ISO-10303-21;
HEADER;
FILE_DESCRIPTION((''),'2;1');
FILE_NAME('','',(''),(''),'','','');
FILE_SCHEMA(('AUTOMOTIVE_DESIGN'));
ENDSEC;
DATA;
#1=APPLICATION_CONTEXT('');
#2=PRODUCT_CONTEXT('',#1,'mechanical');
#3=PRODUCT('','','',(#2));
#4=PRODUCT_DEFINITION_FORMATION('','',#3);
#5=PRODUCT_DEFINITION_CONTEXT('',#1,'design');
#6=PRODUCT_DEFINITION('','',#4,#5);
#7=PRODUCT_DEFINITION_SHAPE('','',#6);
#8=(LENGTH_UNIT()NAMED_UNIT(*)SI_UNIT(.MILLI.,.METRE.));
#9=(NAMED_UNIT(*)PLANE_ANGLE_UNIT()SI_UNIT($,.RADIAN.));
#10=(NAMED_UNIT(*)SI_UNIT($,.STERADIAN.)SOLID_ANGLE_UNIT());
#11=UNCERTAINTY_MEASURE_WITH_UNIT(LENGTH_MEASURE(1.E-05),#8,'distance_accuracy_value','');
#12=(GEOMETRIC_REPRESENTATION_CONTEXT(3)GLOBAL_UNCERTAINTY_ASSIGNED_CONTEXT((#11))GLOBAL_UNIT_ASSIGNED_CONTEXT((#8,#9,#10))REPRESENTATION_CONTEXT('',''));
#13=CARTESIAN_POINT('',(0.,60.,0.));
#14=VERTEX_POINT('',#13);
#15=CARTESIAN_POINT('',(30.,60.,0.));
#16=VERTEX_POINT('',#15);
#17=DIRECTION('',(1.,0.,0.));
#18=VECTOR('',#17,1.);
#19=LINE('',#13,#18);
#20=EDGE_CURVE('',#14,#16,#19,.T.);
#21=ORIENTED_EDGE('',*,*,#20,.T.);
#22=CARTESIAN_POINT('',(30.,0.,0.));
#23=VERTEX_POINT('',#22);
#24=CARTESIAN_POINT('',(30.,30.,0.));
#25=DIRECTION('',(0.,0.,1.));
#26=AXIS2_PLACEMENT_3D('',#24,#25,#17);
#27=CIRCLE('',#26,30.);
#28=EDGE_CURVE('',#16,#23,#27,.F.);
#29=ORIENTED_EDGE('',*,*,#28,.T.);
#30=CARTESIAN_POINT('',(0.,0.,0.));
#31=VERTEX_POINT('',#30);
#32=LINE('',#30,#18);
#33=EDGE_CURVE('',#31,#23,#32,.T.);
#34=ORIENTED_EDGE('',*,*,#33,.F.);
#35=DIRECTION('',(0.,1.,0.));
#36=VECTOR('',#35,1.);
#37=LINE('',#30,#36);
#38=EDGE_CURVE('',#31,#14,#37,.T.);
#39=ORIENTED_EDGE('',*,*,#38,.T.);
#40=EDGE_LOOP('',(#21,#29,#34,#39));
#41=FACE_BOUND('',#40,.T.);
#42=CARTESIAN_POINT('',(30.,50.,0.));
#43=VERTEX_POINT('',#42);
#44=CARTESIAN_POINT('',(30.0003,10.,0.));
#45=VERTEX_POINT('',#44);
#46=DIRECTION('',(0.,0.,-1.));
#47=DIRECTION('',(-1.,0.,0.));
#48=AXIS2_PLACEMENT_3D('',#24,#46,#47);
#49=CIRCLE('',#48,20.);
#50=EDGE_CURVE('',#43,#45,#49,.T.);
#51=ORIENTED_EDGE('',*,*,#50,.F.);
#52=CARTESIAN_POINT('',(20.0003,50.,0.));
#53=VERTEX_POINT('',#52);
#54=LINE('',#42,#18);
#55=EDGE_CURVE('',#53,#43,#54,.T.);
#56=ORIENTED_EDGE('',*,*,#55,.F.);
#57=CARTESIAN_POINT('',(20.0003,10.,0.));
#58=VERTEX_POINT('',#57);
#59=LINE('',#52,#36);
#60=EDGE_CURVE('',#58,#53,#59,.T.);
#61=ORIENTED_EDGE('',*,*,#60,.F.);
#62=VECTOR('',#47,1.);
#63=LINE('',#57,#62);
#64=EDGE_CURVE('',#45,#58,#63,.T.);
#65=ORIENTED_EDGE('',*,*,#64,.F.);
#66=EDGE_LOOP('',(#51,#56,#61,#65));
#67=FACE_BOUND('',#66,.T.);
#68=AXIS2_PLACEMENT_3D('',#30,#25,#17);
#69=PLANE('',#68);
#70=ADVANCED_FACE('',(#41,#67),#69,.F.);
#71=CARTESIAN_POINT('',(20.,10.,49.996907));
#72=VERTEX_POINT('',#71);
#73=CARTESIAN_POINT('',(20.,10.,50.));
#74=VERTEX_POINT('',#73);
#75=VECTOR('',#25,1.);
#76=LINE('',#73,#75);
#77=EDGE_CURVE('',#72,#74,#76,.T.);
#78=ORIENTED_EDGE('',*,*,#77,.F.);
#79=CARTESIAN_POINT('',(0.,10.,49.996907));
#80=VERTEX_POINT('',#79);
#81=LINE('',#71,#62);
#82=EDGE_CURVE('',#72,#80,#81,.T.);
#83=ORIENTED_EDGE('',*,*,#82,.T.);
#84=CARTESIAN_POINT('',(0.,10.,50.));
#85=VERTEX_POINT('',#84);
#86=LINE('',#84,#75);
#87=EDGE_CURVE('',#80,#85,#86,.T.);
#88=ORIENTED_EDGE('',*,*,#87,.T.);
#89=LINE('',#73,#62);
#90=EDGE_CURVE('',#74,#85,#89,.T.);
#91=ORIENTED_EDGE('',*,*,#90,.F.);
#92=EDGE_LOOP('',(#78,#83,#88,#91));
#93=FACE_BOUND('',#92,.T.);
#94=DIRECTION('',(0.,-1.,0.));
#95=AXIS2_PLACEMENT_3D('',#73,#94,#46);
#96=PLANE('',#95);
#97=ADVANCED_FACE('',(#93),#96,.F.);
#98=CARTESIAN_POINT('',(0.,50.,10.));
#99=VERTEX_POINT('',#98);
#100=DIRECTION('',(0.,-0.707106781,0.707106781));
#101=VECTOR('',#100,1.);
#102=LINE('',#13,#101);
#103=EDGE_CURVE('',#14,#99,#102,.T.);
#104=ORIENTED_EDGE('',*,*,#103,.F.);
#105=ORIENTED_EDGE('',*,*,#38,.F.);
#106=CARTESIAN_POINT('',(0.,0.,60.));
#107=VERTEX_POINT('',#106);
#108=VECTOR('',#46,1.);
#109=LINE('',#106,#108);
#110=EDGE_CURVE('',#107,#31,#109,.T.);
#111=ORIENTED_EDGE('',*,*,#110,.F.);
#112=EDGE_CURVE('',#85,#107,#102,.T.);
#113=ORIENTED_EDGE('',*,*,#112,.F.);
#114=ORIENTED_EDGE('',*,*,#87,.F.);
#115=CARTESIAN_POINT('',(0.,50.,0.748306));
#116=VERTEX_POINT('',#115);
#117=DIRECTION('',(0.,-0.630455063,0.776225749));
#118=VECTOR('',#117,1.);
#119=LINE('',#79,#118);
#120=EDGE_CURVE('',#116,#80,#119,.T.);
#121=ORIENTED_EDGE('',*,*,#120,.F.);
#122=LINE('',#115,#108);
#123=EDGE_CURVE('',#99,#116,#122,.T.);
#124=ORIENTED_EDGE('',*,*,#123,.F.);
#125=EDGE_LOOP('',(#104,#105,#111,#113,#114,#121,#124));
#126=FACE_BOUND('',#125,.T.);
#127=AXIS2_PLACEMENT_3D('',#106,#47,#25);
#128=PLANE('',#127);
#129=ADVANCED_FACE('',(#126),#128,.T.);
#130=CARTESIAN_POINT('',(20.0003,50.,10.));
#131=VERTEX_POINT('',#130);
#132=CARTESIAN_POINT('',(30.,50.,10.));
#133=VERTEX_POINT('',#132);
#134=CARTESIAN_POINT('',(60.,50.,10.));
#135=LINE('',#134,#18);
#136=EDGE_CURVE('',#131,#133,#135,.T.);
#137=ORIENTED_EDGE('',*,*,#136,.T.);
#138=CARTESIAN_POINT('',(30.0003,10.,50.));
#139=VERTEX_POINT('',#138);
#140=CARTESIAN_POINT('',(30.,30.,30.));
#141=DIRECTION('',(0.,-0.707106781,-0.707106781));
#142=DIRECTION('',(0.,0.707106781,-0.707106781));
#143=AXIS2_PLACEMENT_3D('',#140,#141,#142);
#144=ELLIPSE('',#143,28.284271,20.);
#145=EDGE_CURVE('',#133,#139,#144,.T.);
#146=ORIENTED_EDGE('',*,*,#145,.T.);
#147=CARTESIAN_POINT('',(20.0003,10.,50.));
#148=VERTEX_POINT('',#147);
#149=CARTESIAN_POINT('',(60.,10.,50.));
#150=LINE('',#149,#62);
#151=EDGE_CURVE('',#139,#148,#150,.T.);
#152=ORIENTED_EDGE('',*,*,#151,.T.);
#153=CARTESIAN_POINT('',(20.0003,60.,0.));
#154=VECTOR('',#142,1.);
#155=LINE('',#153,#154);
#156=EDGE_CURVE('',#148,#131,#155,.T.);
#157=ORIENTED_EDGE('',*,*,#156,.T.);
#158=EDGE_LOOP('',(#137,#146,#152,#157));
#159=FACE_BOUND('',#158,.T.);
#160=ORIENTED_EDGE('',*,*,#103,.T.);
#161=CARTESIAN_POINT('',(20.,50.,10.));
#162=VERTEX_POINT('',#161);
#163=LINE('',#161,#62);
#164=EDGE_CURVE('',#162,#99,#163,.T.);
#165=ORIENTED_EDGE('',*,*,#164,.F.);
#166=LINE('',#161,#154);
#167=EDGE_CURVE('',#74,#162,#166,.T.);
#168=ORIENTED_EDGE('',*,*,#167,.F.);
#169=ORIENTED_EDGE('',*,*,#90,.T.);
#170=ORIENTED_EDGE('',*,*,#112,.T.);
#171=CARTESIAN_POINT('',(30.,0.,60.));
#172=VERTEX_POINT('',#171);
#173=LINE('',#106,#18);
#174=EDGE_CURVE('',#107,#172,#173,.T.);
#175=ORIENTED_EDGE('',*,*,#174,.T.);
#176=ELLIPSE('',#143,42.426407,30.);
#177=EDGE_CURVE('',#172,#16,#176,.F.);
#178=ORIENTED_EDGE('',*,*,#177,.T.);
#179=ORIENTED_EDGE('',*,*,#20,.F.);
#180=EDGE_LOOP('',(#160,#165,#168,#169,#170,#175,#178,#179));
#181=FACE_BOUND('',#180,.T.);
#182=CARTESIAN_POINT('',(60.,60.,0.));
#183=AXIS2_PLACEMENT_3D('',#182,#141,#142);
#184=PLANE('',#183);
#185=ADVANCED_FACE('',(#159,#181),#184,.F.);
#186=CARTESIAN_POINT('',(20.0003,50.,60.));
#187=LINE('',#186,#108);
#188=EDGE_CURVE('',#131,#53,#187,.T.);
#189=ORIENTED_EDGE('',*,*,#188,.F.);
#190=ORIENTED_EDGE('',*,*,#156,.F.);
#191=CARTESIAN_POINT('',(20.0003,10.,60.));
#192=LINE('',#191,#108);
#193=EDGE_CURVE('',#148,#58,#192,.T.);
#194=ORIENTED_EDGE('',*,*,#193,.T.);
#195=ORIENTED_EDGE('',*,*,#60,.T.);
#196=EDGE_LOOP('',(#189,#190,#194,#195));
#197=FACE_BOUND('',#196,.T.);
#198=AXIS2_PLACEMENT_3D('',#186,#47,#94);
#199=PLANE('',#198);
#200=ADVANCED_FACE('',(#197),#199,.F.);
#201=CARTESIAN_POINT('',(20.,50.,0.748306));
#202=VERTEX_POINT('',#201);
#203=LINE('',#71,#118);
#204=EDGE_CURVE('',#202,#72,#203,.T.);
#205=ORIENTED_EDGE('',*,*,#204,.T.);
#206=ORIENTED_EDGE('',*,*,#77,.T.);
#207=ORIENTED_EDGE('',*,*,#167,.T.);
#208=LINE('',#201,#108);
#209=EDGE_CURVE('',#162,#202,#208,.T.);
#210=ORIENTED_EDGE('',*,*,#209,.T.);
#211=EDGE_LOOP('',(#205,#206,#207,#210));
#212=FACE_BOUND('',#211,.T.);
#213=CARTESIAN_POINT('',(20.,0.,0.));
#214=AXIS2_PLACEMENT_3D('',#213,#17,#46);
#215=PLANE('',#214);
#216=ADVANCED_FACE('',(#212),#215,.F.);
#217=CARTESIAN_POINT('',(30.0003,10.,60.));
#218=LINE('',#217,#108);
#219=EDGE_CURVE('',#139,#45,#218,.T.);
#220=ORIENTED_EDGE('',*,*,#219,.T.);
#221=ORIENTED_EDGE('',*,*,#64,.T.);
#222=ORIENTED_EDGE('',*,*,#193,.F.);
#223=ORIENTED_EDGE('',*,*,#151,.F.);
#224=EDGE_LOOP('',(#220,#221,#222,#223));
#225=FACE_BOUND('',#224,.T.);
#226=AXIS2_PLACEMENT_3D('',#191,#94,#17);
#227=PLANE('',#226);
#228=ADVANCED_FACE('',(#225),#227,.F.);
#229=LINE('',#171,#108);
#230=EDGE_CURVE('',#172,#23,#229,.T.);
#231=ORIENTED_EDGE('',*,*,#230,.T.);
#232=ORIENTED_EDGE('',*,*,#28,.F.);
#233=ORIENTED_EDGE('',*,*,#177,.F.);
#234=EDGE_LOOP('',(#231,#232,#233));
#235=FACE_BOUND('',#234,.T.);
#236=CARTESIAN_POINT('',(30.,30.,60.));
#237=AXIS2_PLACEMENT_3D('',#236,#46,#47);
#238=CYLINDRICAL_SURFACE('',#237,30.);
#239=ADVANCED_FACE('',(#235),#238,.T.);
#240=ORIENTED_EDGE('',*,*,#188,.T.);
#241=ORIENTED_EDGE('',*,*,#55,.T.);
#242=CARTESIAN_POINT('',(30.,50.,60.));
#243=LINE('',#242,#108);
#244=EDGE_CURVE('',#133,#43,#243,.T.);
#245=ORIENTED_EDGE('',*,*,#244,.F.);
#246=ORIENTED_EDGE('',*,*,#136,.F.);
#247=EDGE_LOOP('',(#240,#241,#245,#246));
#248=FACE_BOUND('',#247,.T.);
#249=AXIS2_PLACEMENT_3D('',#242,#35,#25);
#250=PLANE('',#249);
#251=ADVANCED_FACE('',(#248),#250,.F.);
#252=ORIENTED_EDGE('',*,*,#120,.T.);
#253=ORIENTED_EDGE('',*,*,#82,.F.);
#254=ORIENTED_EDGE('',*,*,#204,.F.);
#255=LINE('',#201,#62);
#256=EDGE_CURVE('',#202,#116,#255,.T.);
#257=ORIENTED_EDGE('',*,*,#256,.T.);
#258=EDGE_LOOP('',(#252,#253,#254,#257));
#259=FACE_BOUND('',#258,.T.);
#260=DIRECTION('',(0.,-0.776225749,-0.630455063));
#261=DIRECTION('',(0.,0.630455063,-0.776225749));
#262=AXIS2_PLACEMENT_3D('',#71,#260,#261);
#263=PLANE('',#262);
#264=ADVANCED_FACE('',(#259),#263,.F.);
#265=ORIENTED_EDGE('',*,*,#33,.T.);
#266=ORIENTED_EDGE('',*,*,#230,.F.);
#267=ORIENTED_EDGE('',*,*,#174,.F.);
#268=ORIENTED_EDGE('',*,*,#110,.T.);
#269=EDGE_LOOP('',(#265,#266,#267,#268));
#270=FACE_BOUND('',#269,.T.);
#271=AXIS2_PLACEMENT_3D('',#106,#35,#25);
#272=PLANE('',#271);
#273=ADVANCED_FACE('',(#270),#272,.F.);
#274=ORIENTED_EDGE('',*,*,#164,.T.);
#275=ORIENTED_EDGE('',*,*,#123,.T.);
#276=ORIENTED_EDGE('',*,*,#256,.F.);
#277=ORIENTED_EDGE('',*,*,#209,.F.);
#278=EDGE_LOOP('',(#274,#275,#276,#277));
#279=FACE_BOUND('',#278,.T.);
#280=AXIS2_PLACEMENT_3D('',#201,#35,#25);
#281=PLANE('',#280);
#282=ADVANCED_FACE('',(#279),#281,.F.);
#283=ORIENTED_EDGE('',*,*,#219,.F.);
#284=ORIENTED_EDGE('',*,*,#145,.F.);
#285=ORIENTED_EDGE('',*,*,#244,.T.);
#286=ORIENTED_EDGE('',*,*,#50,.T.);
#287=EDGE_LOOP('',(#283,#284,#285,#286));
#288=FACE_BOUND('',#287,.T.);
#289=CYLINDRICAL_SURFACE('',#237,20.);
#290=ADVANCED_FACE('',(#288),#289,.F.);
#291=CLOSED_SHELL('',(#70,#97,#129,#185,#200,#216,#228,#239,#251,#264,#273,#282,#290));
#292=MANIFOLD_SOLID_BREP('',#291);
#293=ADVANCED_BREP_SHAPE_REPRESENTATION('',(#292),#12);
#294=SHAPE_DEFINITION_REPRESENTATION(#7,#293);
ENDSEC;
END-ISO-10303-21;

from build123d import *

# Parameters (mm, degrees)
SKETCH1_W           = 30
SKETCH1_H           = 60
BOSS_EXTRUDE1_DEPTH = 60
CUT_EXTRUDE1_DEPTH  = 60
SKETCH4_W           = 20
SKETCH4_H           = 40
CUT_EXTRUDE2_DEPTH  = 60
CUT_EXTRUDE3_DEPTH  = 60
BOSS_EXTRUDE2_DEPTH = 20
CUT_EXTRUDE9_DEPTH  = 20


with BuildPart() as part:
    # Sketch1 → Boss-Extrude1 (new body)
    with BuildSketch(Plane.XY):
        with BuildLine():
            ThreePointArc((30, 60), (60, 30), (30, 0))
            Line((30, 0), (30, 60))
        make_face()
        with Locations((15, 30)):
            Rectangle(SKETCH1_W, SKETCH1_H)
    extrude(amount=BOSS_EXTRUDE1_DEPTH)

    # Sketch2 → Cut-Extrude1 (cut)
    with BuildSketch(Plane.ZY):
        Polygon((0, 60), (60, 0), (60, 60), align=None)
    extrude(amount=-CUT_EXTRUDE1_DEPTH, mode=Mode.SUBTRACT)

    # Sketch4 → Cut-Extrude2 (cut)
    with BuildSketch(Plane(origin=(0, 0, 0), x_dir=(-1, 0, 0), z_dir=(0, 0, -1))):
        with Locations((-10.0001, 30)):
            Rectangle(SKETCH4_W, SKETCH4_H)
    extrude(amount=-CUT_EXTRUDE2_DEPTH, mode=Mode.SUBTRACT)

    # Sketch5 → Cut-Extrude3 (cut)
    with BuildSketch(Plane(origin=(0, 0, 0), x_dir=(-1, 0, 0), z_dir=(0, 0, -1))):
        with BuildLine():
            Line((-30, 50), (-20.0003, 50))
            Line((-20.0003, 50), (-20.0003, 10.000000002))
            Line((-20.0003, 10.000000002), (-30.0003, 10.000000002))
            ThreePointArc((-30.0003, 10.000000002), (-49.999999999, 30.00015), (-30, 50))
        make_face()
    extrude(amount=-CUT_EXTRUDE3_DEPTH, mode=Mode.SUBTRACT)

    # Sketch6 → Boss-Extrude2 (add)
    with BuildSketch(Plane.ZY.offset(-20.0001)):
        Polygon((0, 50.000000001), (9.999999999, 50.000000001), (50, 10), (0, 10), align=None)
    extrude(amount=BOSS_EXTRUDE2_DEPTH)

    # Sketch7 → Cut-Extrude9 (cut)
    with BuildSketch(Plane.ZY):
        Polygon((49.999999998, 10.000000002), (49.996907355, 10.000000002), (0.748306112, 50), (10, 50), align=None)
    extrude(amount=-CUT_EXTRUDE9_DEPTH, mode=Mode.SUBTRACT)


solid = part.part
